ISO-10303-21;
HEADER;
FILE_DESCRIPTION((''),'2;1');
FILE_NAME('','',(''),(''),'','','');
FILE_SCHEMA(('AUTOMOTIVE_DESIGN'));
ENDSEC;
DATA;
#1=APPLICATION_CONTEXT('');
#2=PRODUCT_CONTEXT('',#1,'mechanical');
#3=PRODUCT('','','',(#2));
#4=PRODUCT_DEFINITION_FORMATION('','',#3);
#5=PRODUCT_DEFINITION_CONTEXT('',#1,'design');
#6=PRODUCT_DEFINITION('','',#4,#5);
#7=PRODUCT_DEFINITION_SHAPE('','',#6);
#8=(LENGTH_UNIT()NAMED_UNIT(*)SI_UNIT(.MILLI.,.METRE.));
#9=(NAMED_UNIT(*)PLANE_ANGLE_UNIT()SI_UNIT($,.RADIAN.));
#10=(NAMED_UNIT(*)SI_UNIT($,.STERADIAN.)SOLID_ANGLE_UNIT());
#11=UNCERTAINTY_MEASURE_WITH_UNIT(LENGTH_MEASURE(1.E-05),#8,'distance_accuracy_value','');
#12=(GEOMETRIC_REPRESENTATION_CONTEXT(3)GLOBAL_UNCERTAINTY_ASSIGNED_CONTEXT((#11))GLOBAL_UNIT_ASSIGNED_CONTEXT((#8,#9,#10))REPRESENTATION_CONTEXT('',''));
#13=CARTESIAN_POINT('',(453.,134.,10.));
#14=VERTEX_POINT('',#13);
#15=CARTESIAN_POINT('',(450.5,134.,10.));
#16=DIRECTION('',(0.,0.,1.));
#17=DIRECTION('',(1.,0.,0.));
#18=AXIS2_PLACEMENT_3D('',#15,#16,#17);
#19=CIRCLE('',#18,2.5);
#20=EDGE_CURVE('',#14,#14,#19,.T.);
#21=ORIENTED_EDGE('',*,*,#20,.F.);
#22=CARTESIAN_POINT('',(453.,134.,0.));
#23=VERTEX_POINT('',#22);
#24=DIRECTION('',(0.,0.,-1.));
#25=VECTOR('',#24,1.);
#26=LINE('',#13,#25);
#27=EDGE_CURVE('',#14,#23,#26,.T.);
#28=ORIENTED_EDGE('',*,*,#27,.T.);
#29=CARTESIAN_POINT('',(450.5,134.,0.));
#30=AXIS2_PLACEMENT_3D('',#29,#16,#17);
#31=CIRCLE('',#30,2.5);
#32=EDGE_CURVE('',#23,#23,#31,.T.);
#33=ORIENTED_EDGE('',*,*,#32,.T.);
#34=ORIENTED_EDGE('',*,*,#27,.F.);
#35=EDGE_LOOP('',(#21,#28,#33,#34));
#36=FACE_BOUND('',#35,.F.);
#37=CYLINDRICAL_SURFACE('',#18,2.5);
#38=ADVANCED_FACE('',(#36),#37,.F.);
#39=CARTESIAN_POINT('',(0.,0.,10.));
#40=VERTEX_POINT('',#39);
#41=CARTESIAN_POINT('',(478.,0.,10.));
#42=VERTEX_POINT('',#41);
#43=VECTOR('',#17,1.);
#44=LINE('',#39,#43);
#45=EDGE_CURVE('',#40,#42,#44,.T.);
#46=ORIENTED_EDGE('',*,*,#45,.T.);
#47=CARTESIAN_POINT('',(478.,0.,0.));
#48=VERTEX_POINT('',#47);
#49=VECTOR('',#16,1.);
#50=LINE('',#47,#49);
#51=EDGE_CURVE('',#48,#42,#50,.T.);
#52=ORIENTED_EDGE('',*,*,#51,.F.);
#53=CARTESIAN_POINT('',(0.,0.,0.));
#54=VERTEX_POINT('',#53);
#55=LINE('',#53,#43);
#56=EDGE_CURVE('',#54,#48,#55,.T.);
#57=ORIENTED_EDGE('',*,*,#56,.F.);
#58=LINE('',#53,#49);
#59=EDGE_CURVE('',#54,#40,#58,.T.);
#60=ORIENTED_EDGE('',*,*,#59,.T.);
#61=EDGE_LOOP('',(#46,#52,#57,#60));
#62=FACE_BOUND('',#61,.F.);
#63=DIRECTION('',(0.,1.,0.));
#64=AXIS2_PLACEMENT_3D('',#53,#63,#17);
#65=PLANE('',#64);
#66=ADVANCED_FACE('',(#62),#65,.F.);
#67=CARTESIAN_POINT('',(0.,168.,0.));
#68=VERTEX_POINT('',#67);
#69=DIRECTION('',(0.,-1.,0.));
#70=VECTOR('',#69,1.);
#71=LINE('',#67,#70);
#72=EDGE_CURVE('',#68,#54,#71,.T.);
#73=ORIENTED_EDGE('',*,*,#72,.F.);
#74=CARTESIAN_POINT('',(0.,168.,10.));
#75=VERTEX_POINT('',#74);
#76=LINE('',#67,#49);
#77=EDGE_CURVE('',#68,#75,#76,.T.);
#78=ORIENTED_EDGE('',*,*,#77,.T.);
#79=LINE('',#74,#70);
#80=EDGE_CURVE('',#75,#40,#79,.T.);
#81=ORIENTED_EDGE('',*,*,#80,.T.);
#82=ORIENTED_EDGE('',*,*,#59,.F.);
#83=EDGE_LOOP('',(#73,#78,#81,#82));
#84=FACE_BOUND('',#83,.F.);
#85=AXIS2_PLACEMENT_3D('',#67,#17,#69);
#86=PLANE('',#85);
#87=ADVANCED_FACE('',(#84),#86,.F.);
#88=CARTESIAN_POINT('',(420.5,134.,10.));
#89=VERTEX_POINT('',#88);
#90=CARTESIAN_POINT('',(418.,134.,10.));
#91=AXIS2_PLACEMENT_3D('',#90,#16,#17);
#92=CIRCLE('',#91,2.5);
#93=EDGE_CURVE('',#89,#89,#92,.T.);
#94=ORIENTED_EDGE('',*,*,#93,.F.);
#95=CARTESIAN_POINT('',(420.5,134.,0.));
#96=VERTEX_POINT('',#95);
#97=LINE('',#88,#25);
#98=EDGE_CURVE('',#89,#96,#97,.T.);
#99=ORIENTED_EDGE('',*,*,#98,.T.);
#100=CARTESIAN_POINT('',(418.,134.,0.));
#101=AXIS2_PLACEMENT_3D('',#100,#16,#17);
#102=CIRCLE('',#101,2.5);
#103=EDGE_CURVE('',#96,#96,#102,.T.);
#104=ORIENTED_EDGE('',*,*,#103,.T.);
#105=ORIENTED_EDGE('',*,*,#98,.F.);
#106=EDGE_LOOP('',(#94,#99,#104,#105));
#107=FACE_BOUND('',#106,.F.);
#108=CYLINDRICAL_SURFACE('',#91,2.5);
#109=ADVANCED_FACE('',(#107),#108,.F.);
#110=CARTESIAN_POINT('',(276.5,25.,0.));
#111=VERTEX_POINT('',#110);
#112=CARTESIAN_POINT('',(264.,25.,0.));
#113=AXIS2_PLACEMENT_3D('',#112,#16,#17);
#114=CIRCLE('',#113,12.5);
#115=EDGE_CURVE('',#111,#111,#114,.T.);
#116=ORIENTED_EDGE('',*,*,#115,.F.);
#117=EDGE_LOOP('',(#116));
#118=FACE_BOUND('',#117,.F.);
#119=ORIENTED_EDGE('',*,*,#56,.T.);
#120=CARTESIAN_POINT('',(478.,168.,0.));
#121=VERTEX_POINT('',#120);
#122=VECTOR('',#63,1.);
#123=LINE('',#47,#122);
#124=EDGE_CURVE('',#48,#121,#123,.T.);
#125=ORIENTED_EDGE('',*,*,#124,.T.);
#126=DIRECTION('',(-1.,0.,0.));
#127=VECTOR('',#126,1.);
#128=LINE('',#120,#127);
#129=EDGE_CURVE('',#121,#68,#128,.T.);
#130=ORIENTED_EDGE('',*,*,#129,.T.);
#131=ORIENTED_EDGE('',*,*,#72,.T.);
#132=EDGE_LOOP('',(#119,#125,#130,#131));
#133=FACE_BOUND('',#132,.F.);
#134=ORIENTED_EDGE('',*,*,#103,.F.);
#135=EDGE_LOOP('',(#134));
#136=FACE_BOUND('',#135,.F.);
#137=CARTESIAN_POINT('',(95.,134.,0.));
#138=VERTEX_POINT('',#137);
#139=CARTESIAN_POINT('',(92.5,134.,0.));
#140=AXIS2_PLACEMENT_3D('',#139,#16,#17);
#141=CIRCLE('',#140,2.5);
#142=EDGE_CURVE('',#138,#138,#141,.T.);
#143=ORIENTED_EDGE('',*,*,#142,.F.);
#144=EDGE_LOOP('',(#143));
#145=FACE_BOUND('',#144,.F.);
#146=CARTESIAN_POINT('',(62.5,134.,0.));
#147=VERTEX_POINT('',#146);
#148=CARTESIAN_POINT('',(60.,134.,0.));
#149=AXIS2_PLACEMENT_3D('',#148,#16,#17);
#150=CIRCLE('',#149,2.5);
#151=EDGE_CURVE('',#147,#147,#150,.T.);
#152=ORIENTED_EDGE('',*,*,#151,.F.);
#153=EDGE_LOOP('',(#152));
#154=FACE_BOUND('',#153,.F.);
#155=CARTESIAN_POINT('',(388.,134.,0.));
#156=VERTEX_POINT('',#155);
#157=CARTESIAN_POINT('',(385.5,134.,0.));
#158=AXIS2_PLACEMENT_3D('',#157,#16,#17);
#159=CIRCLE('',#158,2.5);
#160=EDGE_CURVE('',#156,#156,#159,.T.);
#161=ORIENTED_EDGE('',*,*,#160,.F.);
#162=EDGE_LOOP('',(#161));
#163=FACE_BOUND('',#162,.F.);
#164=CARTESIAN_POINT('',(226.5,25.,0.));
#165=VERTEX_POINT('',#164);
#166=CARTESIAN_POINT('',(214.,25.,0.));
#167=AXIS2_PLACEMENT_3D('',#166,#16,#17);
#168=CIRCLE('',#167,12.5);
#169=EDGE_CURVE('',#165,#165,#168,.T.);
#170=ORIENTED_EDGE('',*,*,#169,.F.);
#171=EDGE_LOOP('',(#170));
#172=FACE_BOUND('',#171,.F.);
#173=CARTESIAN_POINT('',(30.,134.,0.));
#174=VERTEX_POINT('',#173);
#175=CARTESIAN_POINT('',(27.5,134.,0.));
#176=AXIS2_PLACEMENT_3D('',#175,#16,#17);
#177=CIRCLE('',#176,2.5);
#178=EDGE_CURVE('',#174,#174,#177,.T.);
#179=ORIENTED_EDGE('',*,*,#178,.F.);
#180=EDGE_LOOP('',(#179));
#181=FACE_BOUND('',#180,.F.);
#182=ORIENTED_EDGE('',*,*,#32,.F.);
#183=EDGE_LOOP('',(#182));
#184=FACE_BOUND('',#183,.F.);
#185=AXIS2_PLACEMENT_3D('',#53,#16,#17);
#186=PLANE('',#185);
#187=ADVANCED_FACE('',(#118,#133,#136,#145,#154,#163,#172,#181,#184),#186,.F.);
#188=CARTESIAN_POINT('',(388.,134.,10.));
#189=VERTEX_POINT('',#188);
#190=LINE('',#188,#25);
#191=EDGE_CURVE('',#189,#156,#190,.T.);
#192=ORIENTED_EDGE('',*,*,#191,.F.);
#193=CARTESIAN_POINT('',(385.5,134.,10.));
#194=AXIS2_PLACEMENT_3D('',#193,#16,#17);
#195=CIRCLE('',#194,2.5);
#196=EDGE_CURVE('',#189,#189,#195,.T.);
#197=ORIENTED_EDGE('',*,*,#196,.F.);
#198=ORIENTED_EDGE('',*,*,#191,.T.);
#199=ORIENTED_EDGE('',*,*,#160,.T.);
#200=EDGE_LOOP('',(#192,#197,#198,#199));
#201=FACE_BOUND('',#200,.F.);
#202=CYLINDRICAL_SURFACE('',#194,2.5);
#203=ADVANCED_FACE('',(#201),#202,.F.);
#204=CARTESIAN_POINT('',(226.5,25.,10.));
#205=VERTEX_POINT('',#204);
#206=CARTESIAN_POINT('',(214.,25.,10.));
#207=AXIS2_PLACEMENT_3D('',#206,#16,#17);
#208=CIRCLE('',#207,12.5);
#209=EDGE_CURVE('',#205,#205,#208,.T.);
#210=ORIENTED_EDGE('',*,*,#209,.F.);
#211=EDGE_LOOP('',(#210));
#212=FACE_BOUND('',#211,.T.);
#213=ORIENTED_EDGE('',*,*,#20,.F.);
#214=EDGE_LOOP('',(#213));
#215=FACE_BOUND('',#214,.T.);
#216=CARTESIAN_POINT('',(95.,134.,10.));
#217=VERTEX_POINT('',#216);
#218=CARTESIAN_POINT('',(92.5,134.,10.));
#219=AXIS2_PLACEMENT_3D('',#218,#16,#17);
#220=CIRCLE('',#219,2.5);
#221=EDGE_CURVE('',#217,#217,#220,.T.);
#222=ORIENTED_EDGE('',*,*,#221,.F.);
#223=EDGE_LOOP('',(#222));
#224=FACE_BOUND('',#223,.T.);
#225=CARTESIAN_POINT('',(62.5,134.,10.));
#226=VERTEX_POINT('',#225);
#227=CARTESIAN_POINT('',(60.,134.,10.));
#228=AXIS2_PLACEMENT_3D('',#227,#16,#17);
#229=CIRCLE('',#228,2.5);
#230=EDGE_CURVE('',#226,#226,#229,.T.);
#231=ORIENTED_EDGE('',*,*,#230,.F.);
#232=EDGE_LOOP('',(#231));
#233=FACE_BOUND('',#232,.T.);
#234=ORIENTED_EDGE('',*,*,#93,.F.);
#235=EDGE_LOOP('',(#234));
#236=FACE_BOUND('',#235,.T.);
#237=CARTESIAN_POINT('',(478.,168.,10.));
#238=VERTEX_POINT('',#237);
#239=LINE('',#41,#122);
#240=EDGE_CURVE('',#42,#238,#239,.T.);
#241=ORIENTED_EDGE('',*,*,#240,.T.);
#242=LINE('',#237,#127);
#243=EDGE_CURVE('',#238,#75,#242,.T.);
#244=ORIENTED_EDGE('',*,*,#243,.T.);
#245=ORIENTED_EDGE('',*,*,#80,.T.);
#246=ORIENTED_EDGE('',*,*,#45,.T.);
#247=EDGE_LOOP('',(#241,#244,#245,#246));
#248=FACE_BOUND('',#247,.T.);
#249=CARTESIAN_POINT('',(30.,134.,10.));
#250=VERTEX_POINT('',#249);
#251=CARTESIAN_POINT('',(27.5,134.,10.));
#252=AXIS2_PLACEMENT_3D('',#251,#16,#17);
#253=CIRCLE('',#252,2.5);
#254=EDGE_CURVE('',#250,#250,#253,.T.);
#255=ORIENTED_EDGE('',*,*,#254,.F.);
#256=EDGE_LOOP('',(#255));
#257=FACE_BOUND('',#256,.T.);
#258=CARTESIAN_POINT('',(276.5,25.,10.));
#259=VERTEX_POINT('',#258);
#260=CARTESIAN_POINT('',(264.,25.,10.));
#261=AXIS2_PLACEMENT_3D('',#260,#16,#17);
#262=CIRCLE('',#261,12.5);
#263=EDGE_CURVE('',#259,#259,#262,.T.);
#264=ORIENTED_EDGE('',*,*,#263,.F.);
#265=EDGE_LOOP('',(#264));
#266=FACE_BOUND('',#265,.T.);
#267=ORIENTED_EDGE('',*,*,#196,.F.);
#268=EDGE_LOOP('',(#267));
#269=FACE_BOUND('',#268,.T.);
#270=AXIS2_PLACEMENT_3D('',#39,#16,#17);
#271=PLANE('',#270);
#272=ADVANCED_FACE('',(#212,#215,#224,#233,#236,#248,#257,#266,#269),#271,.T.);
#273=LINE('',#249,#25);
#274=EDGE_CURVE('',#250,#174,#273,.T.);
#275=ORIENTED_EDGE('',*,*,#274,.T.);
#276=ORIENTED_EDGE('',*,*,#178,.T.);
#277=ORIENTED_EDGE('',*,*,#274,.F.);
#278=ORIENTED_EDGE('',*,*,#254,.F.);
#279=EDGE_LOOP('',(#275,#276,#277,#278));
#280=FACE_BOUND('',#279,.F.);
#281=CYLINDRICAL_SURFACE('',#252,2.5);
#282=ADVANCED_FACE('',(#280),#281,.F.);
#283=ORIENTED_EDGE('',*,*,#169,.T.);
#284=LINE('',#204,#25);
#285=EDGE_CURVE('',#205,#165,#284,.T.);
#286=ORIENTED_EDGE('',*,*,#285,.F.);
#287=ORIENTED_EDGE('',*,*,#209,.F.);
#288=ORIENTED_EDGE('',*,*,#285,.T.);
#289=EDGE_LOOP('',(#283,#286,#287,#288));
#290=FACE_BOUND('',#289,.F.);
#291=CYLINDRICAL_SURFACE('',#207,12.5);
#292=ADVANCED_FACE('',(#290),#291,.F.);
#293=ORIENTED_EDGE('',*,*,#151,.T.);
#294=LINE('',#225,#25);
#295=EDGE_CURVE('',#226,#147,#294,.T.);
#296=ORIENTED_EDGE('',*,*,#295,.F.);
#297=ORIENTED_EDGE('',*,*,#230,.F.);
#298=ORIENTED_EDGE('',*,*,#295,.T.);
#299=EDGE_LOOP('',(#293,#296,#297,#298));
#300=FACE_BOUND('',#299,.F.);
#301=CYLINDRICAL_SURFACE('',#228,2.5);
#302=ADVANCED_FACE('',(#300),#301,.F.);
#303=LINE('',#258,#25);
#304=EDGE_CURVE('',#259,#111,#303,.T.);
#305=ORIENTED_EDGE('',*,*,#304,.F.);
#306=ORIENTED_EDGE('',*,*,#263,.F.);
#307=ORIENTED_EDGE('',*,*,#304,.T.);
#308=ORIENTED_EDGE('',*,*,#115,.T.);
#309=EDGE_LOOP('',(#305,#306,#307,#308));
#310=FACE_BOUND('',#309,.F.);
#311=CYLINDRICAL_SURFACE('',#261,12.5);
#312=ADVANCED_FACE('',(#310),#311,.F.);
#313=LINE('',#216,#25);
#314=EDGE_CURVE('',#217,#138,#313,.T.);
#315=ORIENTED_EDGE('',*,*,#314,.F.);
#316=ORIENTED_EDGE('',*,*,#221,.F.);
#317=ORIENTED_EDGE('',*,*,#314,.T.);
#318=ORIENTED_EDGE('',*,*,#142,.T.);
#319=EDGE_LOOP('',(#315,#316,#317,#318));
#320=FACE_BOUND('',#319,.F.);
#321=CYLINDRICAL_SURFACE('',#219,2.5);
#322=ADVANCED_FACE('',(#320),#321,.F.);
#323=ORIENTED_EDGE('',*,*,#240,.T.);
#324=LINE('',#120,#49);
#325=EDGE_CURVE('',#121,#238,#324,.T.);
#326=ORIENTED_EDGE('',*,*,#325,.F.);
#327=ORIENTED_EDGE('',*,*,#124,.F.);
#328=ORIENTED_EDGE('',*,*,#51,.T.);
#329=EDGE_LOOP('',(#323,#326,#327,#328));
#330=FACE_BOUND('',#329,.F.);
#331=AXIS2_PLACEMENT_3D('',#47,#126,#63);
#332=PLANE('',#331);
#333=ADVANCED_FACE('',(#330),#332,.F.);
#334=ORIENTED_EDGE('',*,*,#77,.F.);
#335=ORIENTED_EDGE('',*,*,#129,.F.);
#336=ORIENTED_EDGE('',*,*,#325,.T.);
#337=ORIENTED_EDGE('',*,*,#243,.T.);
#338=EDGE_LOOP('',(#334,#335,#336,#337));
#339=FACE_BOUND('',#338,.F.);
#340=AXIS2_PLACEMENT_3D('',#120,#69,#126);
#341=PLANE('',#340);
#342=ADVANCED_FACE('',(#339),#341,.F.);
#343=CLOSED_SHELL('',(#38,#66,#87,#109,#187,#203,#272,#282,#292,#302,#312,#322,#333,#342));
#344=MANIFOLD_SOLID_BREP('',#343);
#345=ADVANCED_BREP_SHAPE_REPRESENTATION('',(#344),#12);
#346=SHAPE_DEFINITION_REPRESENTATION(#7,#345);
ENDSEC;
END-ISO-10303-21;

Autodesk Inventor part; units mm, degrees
ref_plane "YZ Plane" through (0, 0, 0) normal (1, 0, 0) x (0, 1, 0)
ref_plane "XZ Plane" through (0, 0, 0) normal (0, 1, 0) x (-1, 0, 0)
ref_plane "XY Plane" through (0, 0, 0) normal (0, 0, 1) x (1, 0, 0)
sketch "Sketch1" plane through (0, 0, 0) normal (0, 0, 1) x (1, 0, 0)
  line L0 (0, 0) -> (478, 0)
  line L1 (478, 0) -> (478, 168)
  line L2 (478, 168) -> (0, 168)
  line L3 (0, 168) -> (0, 0)
  dimension "d0" = 478
  dimension "d1" = 168
extrude "Extrusion1" add sketch "Sketch1" along normal blind 10
sketch "Sketch2" plane through (0, 0, 10) normal (0, 0, 1) x (1, 0, 0)
  circle A0 centre (27.5, 134) radius 2.5
  circle A1 centre (92.5, 134) radius 2.5
  line L0 (478, 168) -> (0, 168) projected
  line L1 (0, 168) -> (0, 0) projected
  circle A2 centre (385.5, 134) radius 2.5
  circle A3 centre (450.5, 134) radius 2.5
  line L2 (478, 0) -> (478, 168) projected
  line L3 (27.5, 134) -> (92.5, 134) construction
  line L4 (385.5, 134) -> (450.5, 134) construction
  circle A4 centre (60, 134) radius 2.5
  circle A5 centre (418, 134) radius 2.5
  dimension "d5" = 5
  dimension "d6" = 5
  dimension "d7" = 65
  dimension "d8" = 34
  dimension "d9" = 27.5
  dimension "d10" = 5
  dimension "d11" = 5
  dimension "d12" = 65
  dimension "d13" = 27.5
  dimension "d28" = 5
  dimension "d29" = 5
extrude "Extrusion2" cut sketch "Sketch2" against normal through all
sketch "Sketch3" plane through (0, 0, 10) normal (0, 0, 1) x (1, 0, 0)
  line L0 (189, 85) -> (289, 85)
  line L1 (289, 85) -> (289, 15)
  line L2 (289, 15) -> (189, 15)
  line L3 (189, 15) -> (189, 85)
  line L4 (0, 0) -> (478, 0) projected
  point P0 (239, 15)
  point P1 (239, 0)
  dimension "d16" = 100
  dimension "d17" = 70
  dimension "d18" = 15
extrude "Extrusion3" [suppressed]
sketch "Sketch6" plane through (289, 15, 10) normal (-1, 0, 0) x (0, 0, 1)
  line L0 (0, 70) -> (0, 0) projected
  line L1 (0, 70) -> (-7, 70) projected
  line L2 (-7, 70) -> (-7, 0) construction
  line L3 (0, 0) -> (-7, 0) projected
  line L4 (-7, 70) -> (8, 70) construction
  line L5 (8, 70) -> (8, 25) construction
  line L6 (8, 25) -> (-7, 25) construction
  line L7 (-7, 25) -> (-7, 70)
  line L8 (8, 25) -> (18, 25)
  line L9 (0, -15) -> (0, 153) projected
  arc A0 (18, 25) -> (0, 100) centre (-131.9551, 28.6708) ccw
  line L10 (0, 100) -> (0, 70)
  line L11 (0, 70) -> (8, 70)
  line L12 (8, 70) -> (8, 25)
  point P0 (-10, -15)
  dimension "d33" = 15
  dimension "d34" = 25
  dimension "d35" = 10
  dimension "d36" = 150
  dimension "d37" = 30
extrude "Extrusion6" [suppressed]
sketch "Sketch7" plane through (189, 15, 10) normal (-1, 0, 0) x (0, 0, 1)
  arc A0 (18, 25) -> (0, 100) centre (-131.9551, 28.6708) ccw projected
  line L0 (18, 25) -> (0, 25)
  line L1 (0, 153) -> (0, -15) projected
  line L2 (0, 25) -> (0, 100)
  point P0 (-10, -15)
extrude "Extrusion7" [suppressed]
sketch "Sketch8" plane through (289, 15, 10) normal (1, 0, 0) x (0, 0, -1)
  arc A0 (0, 100) -> (-18, 25) centre (131.9551, 28.6708) ccw projected
  line L0 (0, 25) -> (0, 100) projected
  line L1 (0, 25) -> (-18, 25) projected
  point P0 (10, -15)
extrude "Extrusion8" [suppressed]
sketch "Sketch9" plane through (0, 0, 10) normal (0, 0, 1) x (1, 0, 0)
  line L0 (214, 25) -> (264, 25) construction
  circle A0 centre (264, 25) radius 12.5
  circle A1 centre (214, 25) radius 12.5
  line L1 (0, 0) -> (478, 0) construction
  point P0 (239, 25)
  point P1 (239, 0)
  dimension "d45" = 50
  dimension "d46" = 25
  dimension "d47" = 25
  dimension "d48" = 25
extrude "Extrusion9" cut sketch "Sketch9" against normal through all
properties part number "TC005b" material "ABS Plastic"
